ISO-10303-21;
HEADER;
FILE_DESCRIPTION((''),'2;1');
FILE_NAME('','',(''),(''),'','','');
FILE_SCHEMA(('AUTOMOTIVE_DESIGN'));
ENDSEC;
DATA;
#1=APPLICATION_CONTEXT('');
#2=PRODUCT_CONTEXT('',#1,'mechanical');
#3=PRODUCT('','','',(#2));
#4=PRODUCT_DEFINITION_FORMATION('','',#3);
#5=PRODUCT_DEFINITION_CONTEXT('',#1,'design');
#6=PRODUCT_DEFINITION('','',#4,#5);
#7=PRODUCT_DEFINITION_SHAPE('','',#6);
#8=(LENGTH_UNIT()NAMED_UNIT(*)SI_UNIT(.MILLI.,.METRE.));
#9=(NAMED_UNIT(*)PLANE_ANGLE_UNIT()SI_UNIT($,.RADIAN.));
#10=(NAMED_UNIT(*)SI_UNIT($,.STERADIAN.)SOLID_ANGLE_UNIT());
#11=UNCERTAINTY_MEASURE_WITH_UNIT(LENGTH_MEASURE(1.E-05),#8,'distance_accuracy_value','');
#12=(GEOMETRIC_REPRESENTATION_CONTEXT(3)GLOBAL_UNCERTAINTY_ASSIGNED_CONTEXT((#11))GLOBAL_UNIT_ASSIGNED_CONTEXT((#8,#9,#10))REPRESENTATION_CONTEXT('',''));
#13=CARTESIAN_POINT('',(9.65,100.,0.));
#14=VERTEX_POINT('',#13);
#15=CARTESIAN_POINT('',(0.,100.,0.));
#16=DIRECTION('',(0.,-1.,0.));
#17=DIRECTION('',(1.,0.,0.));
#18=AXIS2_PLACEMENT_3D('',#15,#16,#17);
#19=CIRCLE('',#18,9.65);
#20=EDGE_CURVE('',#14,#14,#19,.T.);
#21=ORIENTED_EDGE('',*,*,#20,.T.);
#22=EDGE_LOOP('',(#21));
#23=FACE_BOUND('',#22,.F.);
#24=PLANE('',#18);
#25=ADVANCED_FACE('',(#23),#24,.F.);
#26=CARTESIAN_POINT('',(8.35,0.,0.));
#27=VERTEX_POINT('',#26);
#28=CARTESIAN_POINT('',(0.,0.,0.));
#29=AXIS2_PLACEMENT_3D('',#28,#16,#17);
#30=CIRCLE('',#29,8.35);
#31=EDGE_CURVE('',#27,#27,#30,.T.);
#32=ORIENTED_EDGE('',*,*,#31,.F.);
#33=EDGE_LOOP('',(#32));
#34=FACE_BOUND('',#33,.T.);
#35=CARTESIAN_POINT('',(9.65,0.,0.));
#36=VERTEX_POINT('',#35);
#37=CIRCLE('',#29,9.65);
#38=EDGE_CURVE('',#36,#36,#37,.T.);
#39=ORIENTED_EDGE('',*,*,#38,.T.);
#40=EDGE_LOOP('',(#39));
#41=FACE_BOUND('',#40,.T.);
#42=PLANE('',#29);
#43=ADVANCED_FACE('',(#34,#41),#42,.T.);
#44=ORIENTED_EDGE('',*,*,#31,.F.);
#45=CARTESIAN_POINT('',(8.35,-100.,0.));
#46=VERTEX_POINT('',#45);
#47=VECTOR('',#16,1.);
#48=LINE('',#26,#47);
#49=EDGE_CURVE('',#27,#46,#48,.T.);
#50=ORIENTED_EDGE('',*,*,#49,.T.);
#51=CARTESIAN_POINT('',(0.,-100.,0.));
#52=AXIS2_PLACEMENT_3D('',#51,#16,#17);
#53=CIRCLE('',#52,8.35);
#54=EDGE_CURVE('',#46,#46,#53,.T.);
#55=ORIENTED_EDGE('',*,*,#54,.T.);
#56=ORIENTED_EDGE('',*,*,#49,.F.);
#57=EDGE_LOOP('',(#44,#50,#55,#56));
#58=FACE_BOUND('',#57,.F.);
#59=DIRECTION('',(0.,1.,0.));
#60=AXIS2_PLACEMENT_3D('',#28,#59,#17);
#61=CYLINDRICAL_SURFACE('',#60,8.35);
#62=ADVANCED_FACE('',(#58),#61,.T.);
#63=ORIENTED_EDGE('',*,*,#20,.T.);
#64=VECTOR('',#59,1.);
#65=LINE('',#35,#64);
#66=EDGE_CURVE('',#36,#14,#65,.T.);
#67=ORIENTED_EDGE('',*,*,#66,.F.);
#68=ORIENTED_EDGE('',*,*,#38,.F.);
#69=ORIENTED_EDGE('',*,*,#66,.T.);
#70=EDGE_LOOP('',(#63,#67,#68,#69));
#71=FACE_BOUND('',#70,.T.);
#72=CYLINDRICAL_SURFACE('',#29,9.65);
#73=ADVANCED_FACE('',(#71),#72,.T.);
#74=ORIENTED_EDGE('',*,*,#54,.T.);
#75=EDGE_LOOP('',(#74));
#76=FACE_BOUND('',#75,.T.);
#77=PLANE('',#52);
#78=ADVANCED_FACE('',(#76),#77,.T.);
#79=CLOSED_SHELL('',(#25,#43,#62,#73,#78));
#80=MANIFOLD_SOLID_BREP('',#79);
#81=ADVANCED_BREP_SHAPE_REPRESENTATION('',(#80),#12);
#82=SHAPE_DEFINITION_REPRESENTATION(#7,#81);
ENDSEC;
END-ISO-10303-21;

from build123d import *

# Parameters (mm, degrees)
F0_R     = 9.65
F0_R_2   = 8.35
F1_DEPTH = 100
F2_DEPTH = 100


with BuildPart() as f1:
    # F0 (on Front) → F1 (new body)
    with BuildSketch(Plane.XZ):
        Circle(F0_R)
        Circle(F0_R_2, mode=Mode.SUBTRACT)
        Circle(F0_R_2)
    extrude(amount=-F1_DEPTH)

    # F0 (on Front) → F2 (join)
    with BuildSketch(Plane.XZ):
        Circle(F0_R_2)
    extrude(amount=F2_DEPTH)


solid = f1.part
